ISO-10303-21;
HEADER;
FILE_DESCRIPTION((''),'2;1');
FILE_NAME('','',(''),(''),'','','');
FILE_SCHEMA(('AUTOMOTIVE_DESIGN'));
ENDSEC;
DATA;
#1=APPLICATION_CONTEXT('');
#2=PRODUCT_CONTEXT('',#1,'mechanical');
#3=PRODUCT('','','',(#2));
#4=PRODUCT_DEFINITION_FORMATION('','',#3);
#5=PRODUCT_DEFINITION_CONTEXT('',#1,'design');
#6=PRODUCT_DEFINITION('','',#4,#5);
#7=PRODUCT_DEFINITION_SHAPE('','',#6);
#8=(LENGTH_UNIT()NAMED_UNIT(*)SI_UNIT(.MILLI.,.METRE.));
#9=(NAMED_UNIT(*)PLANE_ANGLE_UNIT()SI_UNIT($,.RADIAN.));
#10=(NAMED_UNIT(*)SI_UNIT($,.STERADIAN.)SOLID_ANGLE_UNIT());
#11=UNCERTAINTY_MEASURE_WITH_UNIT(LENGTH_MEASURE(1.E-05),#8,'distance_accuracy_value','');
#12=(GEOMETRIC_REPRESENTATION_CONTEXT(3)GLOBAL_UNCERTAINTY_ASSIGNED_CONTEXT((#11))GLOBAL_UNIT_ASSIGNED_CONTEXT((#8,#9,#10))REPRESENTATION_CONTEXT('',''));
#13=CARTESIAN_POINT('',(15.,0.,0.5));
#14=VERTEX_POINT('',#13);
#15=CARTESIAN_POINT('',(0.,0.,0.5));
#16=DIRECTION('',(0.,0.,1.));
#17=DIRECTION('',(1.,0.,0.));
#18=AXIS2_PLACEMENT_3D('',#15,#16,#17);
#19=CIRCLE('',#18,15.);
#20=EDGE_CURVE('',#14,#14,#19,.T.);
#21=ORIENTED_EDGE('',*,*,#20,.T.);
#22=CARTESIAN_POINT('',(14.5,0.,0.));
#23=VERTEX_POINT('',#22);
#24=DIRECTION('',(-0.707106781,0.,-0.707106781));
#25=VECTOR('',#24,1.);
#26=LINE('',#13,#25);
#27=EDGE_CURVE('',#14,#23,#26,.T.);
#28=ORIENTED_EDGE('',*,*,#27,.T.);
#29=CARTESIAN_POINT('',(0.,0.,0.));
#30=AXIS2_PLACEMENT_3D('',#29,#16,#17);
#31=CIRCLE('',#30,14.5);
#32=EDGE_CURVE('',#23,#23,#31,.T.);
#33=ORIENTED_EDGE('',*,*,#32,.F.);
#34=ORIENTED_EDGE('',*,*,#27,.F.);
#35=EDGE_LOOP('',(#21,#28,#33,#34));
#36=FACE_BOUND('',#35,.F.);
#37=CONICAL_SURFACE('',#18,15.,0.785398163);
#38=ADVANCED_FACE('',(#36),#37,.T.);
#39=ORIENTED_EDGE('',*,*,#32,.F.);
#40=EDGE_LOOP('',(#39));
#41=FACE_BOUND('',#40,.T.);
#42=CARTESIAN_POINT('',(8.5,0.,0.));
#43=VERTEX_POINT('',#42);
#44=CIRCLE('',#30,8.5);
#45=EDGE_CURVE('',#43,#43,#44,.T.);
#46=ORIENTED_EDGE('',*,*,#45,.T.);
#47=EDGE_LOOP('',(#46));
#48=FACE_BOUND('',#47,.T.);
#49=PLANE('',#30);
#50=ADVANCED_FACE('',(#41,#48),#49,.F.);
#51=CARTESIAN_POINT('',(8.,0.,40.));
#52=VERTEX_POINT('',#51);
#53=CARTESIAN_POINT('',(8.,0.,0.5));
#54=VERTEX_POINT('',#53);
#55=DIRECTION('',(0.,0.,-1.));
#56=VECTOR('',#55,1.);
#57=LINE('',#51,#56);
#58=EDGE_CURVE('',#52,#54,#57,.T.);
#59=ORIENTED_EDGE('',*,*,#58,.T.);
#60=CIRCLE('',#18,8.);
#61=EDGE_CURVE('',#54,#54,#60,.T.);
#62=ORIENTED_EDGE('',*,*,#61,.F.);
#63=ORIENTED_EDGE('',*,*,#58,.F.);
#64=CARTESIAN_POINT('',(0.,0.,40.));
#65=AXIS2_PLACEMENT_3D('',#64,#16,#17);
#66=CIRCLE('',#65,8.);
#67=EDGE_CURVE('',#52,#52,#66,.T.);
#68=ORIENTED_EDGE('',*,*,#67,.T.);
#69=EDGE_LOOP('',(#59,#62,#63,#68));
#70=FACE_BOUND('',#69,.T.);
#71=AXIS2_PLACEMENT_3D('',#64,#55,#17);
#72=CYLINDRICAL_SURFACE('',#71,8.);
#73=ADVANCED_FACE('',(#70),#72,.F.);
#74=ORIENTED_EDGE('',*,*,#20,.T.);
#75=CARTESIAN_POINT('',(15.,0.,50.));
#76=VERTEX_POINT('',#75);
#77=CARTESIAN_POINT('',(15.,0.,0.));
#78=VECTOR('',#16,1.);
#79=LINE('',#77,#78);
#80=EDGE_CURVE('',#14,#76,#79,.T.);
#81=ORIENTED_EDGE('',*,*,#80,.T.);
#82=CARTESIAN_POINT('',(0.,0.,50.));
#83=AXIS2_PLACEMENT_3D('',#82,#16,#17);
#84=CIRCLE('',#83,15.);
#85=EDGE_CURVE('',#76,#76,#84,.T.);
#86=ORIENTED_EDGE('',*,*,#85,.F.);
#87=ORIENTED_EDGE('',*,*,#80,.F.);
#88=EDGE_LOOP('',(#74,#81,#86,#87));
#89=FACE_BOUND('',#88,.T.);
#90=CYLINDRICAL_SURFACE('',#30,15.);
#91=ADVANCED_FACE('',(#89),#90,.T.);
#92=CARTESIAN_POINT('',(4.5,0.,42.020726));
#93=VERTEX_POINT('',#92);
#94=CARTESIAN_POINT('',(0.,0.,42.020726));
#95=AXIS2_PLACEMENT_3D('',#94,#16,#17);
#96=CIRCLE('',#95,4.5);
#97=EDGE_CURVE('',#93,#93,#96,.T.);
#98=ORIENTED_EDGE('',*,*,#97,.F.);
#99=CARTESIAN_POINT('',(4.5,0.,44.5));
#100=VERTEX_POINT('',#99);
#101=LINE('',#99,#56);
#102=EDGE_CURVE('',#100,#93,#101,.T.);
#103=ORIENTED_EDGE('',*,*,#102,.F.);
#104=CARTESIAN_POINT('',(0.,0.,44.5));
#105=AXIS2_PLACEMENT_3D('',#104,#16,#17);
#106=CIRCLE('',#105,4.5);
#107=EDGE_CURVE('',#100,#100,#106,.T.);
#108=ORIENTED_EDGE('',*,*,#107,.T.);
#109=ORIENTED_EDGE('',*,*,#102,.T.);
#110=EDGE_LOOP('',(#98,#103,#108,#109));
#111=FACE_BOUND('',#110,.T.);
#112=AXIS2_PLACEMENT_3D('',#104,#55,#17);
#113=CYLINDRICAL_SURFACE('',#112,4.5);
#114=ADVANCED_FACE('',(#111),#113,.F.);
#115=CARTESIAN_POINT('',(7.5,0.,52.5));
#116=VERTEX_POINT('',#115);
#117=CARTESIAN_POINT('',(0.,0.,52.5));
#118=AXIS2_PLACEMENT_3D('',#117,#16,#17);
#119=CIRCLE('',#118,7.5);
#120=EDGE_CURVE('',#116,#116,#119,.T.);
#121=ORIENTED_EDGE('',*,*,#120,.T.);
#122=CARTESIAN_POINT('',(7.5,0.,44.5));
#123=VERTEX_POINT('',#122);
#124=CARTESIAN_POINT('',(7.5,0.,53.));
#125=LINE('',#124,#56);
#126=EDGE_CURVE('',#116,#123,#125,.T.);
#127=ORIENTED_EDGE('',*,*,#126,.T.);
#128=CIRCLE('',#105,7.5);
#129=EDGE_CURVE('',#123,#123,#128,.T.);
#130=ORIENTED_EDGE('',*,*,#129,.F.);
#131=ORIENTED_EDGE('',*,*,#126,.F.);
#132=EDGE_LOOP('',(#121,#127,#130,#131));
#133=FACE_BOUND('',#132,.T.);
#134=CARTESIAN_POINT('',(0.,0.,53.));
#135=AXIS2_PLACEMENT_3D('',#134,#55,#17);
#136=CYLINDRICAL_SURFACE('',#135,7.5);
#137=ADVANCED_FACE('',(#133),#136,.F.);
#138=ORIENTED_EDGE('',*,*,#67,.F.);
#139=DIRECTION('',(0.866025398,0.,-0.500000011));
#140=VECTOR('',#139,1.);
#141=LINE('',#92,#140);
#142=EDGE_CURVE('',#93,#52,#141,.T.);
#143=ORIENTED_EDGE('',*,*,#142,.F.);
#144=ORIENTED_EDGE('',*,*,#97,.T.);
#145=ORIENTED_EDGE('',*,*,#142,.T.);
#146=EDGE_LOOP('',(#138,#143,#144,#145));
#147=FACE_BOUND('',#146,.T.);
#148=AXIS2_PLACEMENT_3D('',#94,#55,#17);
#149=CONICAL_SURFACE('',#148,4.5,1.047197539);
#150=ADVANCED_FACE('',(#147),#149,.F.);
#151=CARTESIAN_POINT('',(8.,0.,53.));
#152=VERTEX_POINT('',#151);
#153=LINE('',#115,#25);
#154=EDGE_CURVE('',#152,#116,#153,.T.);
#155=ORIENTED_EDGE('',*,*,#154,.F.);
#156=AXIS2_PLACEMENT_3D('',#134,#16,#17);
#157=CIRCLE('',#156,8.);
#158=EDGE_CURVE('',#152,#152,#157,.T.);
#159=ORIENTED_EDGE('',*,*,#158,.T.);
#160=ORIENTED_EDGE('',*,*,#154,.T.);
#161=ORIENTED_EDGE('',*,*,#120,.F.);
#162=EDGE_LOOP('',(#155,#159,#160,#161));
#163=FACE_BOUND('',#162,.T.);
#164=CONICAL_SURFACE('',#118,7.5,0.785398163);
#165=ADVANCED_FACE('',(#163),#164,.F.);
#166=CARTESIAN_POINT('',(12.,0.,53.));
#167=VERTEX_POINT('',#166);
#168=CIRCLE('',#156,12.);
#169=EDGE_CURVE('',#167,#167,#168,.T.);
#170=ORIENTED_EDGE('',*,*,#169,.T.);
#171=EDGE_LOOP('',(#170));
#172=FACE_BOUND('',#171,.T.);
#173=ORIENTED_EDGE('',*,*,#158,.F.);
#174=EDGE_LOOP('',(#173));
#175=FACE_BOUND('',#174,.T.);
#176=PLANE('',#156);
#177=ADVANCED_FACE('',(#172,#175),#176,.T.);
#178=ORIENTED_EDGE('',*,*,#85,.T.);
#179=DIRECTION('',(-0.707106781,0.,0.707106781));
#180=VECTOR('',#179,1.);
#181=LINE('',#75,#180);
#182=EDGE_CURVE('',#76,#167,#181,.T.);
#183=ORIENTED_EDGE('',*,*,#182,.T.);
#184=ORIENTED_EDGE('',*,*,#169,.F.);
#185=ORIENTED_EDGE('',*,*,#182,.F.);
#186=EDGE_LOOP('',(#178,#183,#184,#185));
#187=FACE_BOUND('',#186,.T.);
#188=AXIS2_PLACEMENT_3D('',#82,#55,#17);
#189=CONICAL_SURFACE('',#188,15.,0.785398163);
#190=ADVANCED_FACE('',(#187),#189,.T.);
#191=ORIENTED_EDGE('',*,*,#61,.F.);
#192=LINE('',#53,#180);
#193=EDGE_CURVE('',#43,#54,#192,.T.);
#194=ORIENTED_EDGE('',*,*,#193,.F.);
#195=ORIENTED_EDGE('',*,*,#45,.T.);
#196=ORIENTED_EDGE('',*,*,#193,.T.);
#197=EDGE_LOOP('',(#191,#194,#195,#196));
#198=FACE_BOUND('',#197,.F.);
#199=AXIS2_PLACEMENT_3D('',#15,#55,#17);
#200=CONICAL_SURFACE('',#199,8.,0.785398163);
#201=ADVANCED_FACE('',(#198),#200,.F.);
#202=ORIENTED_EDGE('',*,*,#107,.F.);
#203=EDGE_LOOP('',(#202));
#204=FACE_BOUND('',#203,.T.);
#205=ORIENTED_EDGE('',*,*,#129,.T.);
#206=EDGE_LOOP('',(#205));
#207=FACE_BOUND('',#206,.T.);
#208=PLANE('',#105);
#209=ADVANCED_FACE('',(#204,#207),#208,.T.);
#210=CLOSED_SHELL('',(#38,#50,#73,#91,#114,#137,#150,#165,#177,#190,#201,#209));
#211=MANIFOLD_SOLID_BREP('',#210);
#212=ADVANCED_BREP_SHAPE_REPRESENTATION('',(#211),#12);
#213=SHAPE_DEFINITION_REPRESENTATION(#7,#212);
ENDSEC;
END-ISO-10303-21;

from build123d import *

# Parameters (mm, degrees)
F2_SIZE = 3
F3_SIZE = 0.5


with BuildPart() as f1:
    # F0 (on Front) → F1 (revolve)
    with BuildSketch(Plane.XZ):
        Polygon((8, 40), (8, 0), (15, 0), (15, 53), (7.5, 53), (7.5, 44.5), (4.5, 44.5), (4.5, 42.020726), align=None)
    revolve(axis=Axis((0, 0, 33.144991), (0, 0, 1)))

    # F2
    f2_edges = [f1.edges().sort_by_distance(p)[0] for p in [
        (-15, 0, 53),
    ]]
    chamfer(f2_edges, length=F2_SIZE)

    # F3
    f3_edges = [f1.edges().sort_by_distance(p)[0] for p in [
        (-7.5, 0, 53),
        (-15, 0, 0),
        (-8, 0, 0),
    ]]
    chamfer(f3_edges, length=F3_SIZE)


solid = f1.part
